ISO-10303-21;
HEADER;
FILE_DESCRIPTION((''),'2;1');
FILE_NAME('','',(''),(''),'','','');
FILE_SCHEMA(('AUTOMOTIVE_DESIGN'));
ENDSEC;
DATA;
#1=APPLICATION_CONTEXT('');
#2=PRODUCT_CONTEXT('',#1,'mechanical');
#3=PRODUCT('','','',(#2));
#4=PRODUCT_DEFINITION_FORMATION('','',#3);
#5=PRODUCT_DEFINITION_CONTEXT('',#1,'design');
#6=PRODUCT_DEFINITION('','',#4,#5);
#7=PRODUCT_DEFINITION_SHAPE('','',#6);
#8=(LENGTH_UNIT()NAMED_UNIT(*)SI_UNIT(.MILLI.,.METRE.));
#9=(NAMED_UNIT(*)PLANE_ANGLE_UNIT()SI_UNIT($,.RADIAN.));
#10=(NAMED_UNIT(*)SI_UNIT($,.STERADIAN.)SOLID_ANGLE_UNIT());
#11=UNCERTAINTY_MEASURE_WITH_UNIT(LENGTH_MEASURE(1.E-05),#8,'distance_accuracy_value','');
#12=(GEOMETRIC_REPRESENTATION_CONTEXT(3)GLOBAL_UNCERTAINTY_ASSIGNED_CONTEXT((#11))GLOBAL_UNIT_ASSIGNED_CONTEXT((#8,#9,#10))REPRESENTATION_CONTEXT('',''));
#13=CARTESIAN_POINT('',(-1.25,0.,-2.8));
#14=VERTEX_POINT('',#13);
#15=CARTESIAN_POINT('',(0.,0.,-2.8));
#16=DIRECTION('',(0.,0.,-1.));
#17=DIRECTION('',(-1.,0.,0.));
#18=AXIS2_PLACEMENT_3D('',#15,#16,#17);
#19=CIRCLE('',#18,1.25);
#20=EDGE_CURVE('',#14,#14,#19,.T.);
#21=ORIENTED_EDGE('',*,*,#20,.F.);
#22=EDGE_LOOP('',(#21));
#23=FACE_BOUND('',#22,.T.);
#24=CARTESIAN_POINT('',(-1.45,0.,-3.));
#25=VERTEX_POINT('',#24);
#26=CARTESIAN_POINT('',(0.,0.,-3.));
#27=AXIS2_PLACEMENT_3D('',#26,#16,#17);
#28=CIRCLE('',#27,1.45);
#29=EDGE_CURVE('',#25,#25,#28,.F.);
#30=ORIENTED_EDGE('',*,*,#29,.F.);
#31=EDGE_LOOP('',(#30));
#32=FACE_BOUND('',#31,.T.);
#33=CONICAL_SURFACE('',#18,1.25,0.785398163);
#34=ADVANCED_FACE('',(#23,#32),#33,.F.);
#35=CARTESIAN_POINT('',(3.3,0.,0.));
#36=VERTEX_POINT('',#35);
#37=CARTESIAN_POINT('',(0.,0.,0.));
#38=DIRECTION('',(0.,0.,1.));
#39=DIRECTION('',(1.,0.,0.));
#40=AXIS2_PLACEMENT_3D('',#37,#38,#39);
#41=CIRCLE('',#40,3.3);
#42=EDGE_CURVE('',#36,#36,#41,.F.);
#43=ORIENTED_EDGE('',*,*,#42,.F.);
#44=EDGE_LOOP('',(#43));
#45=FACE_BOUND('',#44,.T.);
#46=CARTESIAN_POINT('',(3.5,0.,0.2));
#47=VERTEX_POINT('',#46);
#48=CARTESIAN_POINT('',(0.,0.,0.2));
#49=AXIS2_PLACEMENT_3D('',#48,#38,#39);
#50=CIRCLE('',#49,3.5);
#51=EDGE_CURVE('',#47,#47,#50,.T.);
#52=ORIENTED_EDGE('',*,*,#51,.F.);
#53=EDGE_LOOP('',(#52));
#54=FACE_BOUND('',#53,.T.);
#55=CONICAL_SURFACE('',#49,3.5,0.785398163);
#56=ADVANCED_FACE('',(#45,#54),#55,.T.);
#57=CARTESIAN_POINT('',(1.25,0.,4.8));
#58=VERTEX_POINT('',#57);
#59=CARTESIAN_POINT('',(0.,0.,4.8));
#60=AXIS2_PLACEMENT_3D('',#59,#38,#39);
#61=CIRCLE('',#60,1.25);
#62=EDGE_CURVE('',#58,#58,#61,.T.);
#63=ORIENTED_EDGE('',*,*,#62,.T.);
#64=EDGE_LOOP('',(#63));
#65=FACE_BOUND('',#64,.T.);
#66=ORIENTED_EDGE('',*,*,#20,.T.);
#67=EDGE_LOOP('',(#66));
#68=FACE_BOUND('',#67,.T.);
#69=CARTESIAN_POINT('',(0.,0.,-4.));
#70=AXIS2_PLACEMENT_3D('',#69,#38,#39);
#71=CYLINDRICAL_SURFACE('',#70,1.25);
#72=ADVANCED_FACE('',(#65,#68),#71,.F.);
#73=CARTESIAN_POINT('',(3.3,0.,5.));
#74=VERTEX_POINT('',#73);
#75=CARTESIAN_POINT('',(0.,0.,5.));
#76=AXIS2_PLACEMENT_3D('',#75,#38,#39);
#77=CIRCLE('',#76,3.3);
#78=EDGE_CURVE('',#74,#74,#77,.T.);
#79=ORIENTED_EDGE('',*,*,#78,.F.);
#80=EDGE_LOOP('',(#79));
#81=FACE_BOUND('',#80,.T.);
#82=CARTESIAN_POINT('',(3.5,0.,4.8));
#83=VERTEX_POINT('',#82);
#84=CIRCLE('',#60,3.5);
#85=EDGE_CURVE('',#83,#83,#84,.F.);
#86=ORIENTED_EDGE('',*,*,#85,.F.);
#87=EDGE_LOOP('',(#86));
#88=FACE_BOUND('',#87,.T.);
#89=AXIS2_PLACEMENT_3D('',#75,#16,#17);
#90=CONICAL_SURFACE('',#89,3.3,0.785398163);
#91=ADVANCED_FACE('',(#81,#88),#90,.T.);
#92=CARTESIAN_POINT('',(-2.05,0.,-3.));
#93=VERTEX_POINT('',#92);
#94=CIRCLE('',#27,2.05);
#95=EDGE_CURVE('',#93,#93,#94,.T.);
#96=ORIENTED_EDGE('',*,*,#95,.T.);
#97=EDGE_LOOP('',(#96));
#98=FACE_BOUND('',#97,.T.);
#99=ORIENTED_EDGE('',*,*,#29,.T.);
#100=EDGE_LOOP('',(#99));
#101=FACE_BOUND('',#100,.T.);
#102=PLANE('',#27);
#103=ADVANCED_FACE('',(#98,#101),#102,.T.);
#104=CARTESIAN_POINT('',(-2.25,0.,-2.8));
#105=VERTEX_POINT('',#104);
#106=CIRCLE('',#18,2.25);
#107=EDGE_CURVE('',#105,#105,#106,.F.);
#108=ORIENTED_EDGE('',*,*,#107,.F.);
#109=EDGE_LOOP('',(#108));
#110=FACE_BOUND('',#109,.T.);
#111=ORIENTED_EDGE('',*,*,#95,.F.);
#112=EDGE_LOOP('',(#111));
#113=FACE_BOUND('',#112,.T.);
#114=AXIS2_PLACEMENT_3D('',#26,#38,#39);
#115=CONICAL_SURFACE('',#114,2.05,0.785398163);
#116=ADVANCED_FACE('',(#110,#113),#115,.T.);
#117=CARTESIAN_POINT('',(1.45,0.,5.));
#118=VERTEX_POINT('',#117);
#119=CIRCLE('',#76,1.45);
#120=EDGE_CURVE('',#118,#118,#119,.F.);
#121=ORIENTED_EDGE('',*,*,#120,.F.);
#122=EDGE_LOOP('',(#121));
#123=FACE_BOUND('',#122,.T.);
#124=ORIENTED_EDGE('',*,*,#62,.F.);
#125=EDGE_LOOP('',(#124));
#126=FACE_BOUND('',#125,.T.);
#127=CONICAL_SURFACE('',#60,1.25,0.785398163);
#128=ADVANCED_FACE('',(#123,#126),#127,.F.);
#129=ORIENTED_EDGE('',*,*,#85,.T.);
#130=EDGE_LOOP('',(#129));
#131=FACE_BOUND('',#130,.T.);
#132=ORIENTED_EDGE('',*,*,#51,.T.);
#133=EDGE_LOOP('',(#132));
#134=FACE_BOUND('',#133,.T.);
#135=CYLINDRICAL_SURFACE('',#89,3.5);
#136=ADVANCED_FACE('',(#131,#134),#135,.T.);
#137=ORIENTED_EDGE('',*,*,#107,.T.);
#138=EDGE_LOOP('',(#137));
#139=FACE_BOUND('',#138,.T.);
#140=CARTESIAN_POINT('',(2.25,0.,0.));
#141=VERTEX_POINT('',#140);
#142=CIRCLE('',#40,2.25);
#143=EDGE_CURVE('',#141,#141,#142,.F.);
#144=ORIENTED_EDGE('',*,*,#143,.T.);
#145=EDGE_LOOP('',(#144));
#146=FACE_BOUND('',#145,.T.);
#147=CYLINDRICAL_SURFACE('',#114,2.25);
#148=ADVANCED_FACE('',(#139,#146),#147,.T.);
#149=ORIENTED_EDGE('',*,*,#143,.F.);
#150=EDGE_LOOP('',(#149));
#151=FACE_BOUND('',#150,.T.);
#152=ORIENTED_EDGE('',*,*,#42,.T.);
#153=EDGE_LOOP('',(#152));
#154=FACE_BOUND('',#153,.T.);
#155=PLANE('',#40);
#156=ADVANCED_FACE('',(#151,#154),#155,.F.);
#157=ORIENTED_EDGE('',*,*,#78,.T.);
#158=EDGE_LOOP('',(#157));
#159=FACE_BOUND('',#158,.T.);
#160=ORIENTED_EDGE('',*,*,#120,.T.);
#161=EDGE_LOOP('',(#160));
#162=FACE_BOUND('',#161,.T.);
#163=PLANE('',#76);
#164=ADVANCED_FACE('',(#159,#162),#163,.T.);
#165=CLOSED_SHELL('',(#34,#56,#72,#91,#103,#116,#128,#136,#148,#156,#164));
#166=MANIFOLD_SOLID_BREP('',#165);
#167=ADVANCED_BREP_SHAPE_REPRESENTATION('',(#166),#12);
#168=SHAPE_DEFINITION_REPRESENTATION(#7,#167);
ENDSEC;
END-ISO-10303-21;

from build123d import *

# Parameters (mm, degrees)
SKETCH_1_R          = 3.5
EXTRUDE_1_DEPTH     = 5
SKETCH_2_R          = 2.25
EXTRUDE_2_DEPTH     = 3
CHAMFER_1_SIZE      = 0.2
SKETCH_4_R          = 1.25
CUT_EXTRUDE_1_DEPTH = 9
CHAMFER_2_SIZE      = 0.2


with BuildPart() as part:
    # Эскиз1 → Бобышка-Вытянуть1 (new body)
    with BuildSketch(Plane.XY):
        Circle(SKETCH_1_R)
    extrude(amount=EXTRUDE_1_DEPTH)

    # Эскиз2 → Бобышка-Вытянуть2 (add)
    with BuildSketch(Plane(origin=(0, 0, 0), x_dir=(-1, 0, 0), z_dir=(0, 0, -1))):
        with Locations(Location((0, 0, 0), (0, 0, 180))):
            Circle(SKETCH_2_R)
    extrude(amount=EXTRUDE_2_DEPTH)

    # Фаска1
    chamfer_1_edges = [part.edges().sort_by_distance(p)[0] for p in [
        (-3.5, 0, 0),
        (-3.5, 0, 5),
        (-2.25, 0, -3),
    ]]
    chamfer(chamfer_1_edges, length=CHAMFER_1_SIZE)

    # Эскиз4 → Вырез-Вытянуть1 (cut)
    with BuildSketch(Plane.XY.offset(5)):
        Circle(SKETCH_4_R)
    extrude(amount=-CUT_EXTRUDE_1_DEPTH, mode=Mode.SUBTRACT)

    # Фаска2
    chamfer_2_edges = [part.edges().sort_by_distance(p)[0] for p in [
        (-1.25, 0, -3),
        (-1.25, 0, 5),
    ]]
    chamfer(chamfer_2_edges, length=CHAMFER_2_SIZE)


solid = part.part
